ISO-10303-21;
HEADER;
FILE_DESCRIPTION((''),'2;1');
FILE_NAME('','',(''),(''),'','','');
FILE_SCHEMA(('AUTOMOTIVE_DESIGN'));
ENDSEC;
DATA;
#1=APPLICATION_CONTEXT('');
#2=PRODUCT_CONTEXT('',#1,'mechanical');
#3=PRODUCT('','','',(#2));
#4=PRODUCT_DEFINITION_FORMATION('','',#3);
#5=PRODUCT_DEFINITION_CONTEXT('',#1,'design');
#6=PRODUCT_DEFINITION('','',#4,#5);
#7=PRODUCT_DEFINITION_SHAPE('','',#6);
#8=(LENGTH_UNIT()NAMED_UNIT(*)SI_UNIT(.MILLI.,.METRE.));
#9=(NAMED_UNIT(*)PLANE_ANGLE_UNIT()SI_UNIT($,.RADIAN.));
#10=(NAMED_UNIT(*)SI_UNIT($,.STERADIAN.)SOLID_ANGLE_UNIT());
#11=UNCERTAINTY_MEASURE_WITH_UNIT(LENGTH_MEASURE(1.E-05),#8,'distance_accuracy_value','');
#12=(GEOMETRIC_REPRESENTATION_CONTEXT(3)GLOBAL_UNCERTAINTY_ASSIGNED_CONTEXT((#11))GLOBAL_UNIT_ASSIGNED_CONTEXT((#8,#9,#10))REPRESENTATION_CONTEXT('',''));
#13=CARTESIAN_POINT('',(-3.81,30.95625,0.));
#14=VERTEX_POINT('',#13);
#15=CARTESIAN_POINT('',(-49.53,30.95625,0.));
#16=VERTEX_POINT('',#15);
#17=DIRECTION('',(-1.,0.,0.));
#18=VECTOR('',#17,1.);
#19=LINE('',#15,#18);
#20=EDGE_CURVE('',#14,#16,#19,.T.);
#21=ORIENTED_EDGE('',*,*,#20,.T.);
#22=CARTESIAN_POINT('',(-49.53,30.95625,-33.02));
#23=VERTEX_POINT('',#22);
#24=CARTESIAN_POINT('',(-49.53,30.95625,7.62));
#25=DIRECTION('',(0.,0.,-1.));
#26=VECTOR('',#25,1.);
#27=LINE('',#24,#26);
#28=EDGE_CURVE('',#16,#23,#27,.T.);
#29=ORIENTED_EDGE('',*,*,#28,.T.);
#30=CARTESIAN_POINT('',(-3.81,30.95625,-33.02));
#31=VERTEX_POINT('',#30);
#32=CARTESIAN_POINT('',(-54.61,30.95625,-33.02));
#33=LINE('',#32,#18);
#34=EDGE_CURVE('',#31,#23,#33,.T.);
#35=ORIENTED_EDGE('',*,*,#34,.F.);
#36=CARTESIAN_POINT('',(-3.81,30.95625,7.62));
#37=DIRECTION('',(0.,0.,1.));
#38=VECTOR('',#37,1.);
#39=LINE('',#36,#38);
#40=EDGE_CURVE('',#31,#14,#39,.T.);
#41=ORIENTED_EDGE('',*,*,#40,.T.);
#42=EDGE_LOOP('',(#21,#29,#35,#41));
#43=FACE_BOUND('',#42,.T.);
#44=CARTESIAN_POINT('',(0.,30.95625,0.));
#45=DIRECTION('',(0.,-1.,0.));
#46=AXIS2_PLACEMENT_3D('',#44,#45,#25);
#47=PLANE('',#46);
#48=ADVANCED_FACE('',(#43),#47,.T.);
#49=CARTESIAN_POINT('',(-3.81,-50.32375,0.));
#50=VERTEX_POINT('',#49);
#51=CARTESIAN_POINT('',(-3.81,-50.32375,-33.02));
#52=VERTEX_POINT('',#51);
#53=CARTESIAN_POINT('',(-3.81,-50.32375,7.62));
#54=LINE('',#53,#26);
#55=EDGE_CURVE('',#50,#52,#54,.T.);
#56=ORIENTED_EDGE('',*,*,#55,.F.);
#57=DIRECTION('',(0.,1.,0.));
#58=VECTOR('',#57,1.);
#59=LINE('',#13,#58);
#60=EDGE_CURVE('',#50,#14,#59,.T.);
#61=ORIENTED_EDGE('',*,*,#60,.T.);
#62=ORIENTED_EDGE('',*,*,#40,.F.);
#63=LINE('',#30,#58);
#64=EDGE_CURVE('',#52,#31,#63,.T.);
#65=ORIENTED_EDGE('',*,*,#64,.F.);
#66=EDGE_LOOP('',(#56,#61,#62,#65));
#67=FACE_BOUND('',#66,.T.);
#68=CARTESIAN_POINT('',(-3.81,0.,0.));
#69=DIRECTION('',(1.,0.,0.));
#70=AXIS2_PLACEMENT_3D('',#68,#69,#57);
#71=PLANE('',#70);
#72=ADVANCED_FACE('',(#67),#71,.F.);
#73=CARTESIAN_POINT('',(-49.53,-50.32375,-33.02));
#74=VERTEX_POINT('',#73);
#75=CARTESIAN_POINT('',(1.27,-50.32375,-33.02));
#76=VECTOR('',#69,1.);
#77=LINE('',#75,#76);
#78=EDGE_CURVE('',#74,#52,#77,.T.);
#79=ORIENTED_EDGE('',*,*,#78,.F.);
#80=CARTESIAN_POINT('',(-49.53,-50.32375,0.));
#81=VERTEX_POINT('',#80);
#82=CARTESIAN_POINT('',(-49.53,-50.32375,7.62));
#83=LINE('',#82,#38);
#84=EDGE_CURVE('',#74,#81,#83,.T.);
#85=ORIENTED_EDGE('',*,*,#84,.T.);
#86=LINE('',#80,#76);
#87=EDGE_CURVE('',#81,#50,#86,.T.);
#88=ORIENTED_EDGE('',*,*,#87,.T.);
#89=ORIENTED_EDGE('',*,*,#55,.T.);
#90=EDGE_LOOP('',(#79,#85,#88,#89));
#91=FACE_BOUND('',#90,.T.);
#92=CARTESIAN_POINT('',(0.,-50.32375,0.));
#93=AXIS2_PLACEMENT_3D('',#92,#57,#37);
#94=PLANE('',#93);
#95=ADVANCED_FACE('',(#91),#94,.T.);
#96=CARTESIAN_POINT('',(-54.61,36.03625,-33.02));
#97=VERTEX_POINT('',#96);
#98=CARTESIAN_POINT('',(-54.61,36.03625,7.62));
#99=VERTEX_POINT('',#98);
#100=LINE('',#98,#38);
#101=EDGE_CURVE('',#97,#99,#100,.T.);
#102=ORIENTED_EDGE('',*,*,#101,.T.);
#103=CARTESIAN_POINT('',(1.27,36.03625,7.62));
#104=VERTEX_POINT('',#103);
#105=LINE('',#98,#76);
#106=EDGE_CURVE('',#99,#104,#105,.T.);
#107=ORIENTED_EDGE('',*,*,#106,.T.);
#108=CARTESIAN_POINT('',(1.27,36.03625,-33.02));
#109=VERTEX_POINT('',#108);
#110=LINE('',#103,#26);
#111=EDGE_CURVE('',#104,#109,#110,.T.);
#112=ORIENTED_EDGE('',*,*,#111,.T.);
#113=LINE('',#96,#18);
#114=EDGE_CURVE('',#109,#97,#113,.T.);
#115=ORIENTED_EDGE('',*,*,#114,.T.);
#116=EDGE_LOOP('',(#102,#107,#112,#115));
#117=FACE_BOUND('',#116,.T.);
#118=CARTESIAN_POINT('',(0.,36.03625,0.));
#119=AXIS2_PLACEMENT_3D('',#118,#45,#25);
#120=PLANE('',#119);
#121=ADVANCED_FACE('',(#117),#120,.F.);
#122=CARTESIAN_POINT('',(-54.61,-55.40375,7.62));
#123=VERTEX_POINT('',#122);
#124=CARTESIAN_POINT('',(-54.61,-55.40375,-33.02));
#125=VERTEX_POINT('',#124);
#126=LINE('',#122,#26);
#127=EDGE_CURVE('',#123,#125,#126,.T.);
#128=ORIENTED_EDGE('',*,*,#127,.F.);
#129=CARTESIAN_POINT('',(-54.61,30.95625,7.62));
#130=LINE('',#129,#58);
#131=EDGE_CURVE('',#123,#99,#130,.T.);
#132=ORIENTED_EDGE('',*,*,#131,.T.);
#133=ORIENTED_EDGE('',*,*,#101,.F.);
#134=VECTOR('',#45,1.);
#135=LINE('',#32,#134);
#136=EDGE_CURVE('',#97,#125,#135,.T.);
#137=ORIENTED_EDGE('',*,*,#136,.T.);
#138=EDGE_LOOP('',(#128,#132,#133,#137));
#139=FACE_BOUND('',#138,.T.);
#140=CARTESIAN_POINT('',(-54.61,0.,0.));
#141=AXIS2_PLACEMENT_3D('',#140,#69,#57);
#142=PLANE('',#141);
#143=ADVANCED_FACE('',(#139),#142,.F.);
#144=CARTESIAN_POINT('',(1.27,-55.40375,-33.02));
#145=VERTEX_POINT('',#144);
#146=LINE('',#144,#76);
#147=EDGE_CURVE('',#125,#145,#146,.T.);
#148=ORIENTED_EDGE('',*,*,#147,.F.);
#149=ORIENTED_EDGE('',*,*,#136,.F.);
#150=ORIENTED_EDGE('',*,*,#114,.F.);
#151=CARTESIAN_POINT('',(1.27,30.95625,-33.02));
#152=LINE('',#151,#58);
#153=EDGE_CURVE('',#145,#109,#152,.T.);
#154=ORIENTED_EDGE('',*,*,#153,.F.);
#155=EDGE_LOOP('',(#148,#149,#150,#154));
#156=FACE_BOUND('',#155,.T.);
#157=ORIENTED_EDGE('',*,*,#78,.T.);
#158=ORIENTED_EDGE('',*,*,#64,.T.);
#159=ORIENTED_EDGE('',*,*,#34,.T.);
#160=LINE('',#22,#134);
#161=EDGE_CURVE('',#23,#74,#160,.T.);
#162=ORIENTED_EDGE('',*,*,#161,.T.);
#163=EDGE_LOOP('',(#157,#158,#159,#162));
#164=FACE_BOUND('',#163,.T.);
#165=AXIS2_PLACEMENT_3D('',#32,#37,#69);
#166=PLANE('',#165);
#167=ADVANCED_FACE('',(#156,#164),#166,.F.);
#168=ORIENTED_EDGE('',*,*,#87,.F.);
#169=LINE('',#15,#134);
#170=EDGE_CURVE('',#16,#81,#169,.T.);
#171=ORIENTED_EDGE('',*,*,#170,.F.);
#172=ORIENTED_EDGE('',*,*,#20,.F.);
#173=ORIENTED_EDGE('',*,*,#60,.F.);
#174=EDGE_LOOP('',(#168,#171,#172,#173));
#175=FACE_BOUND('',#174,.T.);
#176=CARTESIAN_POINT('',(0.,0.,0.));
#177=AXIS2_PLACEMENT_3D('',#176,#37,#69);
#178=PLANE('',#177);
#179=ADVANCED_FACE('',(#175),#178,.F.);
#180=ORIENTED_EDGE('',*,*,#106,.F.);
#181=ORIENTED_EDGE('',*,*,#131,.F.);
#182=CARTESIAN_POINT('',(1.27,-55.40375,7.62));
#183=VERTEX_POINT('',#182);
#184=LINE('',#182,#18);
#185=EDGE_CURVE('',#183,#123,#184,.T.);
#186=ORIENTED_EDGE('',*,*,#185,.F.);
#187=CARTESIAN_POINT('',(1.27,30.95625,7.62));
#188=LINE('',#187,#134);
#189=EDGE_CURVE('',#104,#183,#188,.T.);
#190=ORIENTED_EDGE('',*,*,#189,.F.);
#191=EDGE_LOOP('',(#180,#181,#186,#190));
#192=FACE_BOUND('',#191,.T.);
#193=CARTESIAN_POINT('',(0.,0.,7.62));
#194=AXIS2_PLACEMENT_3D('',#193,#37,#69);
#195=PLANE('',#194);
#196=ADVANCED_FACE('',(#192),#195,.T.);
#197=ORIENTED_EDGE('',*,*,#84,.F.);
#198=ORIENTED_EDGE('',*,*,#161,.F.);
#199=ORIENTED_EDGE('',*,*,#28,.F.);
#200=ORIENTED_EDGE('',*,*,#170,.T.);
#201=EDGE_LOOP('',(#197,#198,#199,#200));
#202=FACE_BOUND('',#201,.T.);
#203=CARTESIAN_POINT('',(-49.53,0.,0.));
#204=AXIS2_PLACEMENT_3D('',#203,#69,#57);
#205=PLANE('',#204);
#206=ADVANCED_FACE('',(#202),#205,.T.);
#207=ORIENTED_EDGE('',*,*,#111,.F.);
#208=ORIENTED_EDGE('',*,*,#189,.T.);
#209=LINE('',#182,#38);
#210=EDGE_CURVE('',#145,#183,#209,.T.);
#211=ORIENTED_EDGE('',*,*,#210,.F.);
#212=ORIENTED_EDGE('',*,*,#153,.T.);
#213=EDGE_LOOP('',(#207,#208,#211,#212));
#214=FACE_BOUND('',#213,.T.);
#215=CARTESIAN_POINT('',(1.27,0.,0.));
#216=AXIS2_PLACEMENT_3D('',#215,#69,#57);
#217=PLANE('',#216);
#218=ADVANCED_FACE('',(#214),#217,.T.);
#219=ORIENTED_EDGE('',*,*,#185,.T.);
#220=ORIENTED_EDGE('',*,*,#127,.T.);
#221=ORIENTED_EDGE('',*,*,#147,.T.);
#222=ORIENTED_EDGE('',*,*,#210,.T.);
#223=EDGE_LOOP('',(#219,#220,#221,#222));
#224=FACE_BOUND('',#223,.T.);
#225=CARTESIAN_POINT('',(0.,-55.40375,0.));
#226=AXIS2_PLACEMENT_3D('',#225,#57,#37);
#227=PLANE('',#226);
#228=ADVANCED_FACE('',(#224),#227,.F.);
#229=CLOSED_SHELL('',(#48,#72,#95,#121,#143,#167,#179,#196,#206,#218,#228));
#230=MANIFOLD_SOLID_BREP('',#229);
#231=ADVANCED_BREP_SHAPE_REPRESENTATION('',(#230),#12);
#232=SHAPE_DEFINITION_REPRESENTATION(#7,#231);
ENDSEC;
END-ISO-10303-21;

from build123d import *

# Parameters (mm, degrees)
SKETCH1_W           = 45.72
SKETCH1_H           = 81.28
BOSS_EXTRUDE1_DEPTH = 7.62
SKETCH7_W           = 40.64
SKETCH7_H           = 81.28
BOSS_EXTRUDE3_DEPTH = 5.08
SKETCH8_W           = 40.64
SKETCH8_H           = 81.28
BOSS_EXTRUDE4_DEPTH = 5.08
SKETCH9_W           = 55.88
SKETCH9_H           = 40.64
BOSS_EXTRUDE5_DEPTH = 5.08
SKETCH10_W          = 55.88
SKETCH10_H          = 40.64
BOSS_EXTRUDE6_DEPTH = 5.08


with BuildPart() as part:
    # Sketch1 → Boss-Extrude1 (new body)
    with BuildSketch(Plane.XY):
        with Locations((-26.67, -9.68375)):
            Rectangle(SKETCH1_W, SKETCH1_H)
    extrude(amount=BOSS_EXTRUDE1_DEPTH)

    # Sketch7 → Boss-Extrude3 (add)
    with BuildSketch(Plane.ZY.offset(49.53)):
        with Locations((-12.7, -9.68375)):
            Rectangle(SKETCH7_W, SKETCH7_H)
    extrude(amount=BOSS_EXTRUDE3_DEPTH)

    # Sketch8 → Boss-Extrude4 (add)
    with BuildSketch(Plane(origin=(-3.81, 0, 0), x_dir=(0, 0, -1), z_dir=(1, 0, 0))):
        with Locations((12.7, -9.68375)):
            Rectangle(SKETCH8_W, SKETCH8_H)
    extrude(amount=BOSS_EXTRUDE4_DEPTH)

    # Sketch9 → Boss-Extrude5 (add)
    with BuildSketch(Plane(origin=(0, 30.95625, 0), x_dir=(1, 0, 0), z_dir=(0, 1, 0))):
        with Locations((-26.67, 12.7)):
            Rectangle(SKETCH9_W, SKETCH9_H)
    extrude(amount=BOSS_EXTRUDE5_DEPTH)

    # Sketch10 → Boss-Extrude6 (add)
    with BuildSketch(Plane.XZ.offset(50.32375)):
        with Locations((-26.67, -12.7)):
            Rectangle(SKETCH10_W, SKETCH10_H)
    extrude(amount=BOSS_EXTRUDE6_DEPTH)


solid = part.part
